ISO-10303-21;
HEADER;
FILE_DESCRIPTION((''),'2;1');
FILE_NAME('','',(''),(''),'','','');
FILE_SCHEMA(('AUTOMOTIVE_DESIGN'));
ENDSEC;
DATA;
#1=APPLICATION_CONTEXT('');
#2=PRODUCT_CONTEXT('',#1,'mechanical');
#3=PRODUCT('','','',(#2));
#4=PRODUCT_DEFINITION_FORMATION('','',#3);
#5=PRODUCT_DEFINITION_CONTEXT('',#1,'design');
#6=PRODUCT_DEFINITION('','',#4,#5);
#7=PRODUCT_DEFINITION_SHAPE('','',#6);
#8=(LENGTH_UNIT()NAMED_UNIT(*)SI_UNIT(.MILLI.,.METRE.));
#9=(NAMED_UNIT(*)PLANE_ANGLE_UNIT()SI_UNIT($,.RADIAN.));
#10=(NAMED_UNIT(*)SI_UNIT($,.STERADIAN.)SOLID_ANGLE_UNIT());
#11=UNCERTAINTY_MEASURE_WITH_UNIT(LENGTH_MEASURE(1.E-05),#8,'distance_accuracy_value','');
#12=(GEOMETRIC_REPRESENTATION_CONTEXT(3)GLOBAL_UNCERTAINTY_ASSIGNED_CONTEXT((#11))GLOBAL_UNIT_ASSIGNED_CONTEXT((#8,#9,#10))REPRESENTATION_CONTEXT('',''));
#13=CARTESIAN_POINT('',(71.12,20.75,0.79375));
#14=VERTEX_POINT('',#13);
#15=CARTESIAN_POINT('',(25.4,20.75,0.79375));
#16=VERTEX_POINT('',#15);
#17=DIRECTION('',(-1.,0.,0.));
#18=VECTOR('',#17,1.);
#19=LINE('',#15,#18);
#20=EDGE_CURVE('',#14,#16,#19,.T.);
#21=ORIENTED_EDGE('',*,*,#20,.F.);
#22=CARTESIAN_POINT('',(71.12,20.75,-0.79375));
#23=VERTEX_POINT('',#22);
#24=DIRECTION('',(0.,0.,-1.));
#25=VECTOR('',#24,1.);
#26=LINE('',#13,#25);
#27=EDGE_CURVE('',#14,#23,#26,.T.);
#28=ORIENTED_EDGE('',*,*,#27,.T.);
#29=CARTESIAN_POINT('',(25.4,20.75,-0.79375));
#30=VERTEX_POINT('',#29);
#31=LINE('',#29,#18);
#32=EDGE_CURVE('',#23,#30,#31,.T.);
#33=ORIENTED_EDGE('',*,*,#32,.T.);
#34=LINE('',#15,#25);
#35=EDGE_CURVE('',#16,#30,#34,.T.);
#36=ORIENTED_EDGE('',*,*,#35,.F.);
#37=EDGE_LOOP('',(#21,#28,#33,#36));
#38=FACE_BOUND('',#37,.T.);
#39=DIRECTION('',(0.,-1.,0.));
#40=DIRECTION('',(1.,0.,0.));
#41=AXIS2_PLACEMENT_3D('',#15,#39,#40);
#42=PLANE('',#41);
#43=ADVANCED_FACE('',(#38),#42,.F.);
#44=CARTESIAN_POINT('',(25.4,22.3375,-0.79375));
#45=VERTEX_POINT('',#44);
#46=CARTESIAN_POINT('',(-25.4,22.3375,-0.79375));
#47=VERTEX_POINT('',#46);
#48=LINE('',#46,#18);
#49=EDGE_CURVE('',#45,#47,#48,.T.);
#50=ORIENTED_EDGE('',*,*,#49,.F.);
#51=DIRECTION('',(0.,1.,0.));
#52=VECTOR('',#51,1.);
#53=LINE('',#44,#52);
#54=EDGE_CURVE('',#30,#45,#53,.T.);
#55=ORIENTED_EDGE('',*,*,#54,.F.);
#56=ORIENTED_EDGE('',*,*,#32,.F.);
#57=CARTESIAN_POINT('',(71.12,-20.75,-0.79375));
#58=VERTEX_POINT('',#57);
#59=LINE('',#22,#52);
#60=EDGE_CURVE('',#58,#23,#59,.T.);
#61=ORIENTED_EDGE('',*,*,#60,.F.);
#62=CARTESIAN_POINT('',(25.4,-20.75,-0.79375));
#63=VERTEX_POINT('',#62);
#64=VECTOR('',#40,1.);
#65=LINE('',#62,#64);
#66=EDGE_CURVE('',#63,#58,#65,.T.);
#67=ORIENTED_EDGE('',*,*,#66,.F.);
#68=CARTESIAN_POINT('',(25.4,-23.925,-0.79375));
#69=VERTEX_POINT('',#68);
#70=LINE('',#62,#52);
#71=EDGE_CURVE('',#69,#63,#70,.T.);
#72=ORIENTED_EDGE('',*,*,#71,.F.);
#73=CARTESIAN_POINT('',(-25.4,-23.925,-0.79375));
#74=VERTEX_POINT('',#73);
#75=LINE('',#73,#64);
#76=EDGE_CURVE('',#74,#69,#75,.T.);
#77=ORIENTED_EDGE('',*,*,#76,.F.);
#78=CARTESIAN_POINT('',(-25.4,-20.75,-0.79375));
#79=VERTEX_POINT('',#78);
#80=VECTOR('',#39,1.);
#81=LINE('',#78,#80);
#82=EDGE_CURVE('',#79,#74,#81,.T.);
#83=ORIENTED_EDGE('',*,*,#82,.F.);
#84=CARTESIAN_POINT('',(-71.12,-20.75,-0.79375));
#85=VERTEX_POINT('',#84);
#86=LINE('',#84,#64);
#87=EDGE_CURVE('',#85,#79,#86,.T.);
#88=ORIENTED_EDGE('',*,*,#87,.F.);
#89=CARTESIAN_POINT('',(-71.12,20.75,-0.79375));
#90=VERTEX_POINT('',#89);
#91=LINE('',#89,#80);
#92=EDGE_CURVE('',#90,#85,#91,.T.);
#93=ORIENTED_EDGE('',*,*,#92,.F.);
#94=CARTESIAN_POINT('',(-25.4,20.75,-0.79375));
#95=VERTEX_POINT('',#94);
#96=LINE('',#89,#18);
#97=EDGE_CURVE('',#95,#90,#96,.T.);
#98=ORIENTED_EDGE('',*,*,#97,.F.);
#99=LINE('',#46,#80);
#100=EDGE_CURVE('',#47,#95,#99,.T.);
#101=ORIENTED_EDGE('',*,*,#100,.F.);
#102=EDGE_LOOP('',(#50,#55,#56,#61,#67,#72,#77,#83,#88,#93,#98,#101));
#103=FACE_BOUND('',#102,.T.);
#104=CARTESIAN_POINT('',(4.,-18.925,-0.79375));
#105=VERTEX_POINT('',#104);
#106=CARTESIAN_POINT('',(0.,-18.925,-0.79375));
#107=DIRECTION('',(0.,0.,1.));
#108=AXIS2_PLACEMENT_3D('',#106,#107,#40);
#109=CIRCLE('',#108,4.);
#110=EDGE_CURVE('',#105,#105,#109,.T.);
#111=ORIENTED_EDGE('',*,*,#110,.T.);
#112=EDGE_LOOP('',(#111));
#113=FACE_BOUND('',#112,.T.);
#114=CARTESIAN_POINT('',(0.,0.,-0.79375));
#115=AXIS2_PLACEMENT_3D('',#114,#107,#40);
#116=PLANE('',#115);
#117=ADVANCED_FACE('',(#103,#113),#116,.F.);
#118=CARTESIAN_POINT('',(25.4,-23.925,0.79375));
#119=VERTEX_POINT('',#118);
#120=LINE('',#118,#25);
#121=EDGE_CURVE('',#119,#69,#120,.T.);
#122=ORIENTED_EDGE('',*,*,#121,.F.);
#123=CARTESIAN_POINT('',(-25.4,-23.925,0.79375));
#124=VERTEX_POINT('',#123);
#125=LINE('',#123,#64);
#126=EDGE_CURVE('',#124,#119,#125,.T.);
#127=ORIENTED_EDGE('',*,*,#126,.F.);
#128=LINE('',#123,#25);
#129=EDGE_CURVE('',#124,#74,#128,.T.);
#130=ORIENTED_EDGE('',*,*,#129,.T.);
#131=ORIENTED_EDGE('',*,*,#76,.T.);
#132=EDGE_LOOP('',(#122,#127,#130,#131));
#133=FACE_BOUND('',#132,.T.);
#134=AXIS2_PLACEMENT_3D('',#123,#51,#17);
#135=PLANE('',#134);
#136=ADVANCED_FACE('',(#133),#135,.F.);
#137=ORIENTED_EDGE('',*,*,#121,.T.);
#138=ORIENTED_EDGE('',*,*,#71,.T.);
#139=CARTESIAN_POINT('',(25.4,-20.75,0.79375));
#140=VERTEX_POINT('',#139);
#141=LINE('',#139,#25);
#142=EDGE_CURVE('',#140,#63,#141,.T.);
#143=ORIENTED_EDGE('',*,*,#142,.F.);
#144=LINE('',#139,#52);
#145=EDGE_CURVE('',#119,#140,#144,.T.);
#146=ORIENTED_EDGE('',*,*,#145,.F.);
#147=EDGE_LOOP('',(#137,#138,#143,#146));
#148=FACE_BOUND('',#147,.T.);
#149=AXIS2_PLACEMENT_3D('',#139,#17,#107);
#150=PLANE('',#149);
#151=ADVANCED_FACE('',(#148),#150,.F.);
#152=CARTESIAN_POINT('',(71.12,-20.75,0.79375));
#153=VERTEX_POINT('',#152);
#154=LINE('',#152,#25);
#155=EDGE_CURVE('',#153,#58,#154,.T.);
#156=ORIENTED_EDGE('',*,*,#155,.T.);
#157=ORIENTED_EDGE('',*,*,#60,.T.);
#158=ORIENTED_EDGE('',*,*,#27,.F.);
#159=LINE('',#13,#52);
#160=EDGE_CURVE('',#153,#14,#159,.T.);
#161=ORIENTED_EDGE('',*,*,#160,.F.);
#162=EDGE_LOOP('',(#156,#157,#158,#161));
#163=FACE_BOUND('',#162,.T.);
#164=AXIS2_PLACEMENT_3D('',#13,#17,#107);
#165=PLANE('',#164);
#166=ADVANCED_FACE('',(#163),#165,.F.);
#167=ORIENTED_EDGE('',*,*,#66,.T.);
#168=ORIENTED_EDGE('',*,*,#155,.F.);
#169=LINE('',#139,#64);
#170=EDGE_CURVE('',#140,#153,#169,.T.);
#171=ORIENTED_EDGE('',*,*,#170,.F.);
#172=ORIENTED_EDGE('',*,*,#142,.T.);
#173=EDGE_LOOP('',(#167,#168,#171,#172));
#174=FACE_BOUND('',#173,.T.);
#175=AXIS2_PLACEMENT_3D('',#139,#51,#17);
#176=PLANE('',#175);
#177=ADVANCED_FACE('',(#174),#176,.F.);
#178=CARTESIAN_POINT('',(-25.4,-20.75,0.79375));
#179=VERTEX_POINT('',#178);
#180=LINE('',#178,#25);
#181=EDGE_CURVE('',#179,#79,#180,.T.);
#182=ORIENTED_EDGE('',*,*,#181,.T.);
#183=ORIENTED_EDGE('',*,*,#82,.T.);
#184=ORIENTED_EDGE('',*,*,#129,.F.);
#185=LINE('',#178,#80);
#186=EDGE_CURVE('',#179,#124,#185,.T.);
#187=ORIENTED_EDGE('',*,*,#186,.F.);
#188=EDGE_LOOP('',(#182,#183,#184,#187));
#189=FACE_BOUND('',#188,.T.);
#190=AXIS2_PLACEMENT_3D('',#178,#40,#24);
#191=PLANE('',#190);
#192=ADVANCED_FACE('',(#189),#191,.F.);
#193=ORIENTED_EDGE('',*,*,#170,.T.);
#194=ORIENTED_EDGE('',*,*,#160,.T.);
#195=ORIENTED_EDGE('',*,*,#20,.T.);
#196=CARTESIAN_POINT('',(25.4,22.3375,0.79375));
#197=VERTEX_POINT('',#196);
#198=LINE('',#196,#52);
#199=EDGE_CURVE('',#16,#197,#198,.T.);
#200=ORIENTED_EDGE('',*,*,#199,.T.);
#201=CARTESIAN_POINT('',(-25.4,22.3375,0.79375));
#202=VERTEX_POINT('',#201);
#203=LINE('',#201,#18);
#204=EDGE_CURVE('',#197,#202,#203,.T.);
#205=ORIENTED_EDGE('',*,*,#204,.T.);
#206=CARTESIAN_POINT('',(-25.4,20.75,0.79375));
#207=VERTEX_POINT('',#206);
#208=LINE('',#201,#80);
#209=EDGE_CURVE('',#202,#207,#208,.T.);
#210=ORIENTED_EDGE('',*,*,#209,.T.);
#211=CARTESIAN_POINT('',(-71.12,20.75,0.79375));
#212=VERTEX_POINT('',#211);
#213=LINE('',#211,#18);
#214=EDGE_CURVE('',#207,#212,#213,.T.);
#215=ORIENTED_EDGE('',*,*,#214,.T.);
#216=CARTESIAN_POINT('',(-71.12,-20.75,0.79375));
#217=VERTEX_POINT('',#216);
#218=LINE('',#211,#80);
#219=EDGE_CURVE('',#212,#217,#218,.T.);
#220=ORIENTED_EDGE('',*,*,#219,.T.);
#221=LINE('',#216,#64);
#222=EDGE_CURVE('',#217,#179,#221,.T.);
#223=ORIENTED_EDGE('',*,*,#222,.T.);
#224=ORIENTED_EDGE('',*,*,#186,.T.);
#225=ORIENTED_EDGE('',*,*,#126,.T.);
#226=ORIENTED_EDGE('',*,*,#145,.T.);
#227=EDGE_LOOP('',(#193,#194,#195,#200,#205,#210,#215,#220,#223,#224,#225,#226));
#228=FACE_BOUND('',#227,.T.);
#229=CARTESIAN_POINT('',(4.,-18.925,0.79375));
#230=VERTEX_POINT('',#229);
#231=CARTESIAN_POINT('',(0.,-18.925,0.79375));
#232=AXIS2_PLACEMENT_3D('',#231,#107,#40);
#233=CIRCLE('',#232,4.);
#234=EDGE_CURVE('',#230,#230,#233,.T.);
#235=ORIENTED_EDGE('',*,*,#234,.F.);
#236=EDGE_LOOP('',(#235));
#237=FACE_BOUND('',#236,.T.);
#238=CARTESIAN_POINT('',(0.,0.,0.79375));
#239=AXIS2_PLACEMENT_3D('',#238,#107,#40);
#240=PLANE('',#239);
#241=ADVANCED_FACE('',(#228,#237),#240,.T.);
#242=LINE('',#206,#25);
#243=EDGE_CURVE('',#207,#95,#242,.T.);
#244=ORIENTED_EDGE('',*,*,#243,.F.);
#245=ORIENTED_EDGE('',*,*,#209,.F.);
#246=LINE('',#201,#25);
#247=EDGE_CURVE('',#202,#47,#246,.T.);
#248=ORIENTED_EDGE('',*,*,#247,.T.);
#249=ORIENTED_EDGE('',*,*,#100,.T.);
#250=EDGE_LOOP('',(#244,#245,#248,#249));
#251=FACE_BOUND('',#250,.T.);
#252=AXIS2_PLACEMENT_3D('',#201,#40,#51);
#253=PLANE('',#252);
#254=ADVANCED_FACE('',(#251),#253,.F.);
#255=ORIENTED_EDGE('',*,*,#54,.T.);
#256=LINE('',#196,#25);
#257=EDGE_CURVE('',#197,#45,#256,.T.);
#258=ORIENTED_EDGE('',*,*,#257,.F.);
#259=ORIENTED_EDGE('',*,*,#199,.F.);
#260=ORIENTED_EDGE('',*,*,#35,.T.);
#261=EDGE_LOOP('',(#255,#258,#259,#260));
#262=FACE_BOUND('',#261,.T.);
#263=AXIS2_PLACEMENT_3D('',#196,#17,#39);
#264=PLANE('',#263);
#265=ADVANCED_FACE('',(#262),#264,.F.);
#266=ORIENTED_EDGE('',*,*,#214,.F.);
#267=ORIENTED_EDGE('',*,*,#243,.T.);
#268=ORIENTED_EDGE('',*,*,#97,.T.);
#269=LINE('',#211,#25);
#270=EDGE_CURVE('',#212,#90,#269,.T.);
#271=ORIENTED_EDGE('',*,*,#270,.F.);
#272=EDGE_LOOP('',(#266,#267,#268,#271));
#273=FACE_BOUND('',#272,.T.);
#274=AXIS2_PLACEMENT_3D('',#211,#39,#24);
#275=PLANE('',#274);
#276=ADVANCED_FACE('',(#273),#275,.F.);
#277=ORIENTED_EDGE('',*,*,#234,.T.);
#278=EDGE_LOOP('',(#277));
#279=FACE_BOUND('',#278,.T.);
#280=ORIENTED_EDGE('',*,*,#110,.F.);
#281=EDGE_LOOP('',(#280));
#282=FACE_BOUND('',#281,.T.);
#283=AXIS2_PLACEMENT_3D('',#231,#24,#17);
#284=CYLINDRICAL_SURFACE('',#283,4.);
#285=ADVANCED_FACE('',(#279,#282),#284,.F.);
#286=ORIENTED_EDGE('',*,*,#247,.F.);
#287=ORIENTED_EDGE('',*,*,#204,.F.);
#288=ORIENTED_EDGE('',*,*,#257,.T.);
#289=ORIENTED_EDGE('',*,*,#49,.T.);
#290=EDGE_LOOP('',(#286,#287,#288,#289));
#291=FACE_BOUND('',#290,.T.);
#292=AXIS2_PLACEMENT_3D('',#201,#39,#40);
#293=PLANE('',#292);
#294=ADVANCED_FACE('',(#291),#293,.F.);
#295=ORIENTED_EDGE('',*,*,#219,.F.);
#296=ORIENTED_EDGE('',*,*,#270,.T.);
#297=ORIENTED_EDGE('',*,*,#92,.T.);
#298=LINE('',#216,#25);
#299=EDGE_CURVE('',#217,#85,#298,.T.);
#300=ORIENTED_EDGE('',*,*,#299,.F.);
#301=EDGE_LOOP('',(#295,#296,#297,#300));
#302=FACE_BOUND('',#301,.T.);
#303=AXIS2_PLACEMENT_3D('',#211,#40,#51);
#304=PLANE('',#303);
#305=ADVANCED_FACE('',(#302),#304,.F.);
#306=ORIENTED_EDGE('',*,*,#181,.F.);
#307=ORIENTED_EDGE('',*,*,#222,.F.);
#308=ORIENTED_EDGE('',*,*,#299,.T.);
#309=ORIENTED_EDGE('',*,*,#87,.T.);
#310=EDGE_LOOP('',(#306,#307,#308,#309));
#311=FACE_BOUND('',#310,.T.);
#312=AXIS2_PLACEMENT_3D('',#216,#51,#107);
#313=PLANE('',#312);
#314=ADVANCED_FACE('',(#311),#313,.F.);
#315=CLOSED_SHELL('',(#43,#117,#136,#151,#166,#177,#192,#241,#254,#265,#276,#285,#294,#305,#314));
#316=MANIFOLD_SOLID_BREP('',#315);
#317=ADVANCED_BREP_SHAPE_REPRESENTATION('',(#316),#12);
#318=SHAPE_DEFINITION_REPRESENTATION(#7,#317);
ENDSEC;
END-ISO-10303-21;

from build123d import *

# Parameters (mm, degrees)
SKETCH1_R           = 4
BOSS_EXTRUDE1_DEPTH = 0.79375


with BuildPart() as part:
    # Sketch1 → Boss-Extrude1 (new body, symmetric)
    with BuildSketch(Plane.XY):
        Polygon((25.4, -23.925), (25.4, -20.75), (71.12, -20.75), (71.12, 20.75), (25.4, 20.75), (25.4, 22.3375), (-25.4, 22.3375), (-25.4, 20.75), (-71.12, 20.75), (-71.12, -20.75), (-25.4, -20.75), (-25.4, -23.925), align=None)
        with Locations((0, -18.925)):
            Circle(SKETCH1_R, mode=Mode.SUBTRACT)
    extrude(amount=BOSS_EXTRUDE1_DEPTH, both=True)


solid = part.part
